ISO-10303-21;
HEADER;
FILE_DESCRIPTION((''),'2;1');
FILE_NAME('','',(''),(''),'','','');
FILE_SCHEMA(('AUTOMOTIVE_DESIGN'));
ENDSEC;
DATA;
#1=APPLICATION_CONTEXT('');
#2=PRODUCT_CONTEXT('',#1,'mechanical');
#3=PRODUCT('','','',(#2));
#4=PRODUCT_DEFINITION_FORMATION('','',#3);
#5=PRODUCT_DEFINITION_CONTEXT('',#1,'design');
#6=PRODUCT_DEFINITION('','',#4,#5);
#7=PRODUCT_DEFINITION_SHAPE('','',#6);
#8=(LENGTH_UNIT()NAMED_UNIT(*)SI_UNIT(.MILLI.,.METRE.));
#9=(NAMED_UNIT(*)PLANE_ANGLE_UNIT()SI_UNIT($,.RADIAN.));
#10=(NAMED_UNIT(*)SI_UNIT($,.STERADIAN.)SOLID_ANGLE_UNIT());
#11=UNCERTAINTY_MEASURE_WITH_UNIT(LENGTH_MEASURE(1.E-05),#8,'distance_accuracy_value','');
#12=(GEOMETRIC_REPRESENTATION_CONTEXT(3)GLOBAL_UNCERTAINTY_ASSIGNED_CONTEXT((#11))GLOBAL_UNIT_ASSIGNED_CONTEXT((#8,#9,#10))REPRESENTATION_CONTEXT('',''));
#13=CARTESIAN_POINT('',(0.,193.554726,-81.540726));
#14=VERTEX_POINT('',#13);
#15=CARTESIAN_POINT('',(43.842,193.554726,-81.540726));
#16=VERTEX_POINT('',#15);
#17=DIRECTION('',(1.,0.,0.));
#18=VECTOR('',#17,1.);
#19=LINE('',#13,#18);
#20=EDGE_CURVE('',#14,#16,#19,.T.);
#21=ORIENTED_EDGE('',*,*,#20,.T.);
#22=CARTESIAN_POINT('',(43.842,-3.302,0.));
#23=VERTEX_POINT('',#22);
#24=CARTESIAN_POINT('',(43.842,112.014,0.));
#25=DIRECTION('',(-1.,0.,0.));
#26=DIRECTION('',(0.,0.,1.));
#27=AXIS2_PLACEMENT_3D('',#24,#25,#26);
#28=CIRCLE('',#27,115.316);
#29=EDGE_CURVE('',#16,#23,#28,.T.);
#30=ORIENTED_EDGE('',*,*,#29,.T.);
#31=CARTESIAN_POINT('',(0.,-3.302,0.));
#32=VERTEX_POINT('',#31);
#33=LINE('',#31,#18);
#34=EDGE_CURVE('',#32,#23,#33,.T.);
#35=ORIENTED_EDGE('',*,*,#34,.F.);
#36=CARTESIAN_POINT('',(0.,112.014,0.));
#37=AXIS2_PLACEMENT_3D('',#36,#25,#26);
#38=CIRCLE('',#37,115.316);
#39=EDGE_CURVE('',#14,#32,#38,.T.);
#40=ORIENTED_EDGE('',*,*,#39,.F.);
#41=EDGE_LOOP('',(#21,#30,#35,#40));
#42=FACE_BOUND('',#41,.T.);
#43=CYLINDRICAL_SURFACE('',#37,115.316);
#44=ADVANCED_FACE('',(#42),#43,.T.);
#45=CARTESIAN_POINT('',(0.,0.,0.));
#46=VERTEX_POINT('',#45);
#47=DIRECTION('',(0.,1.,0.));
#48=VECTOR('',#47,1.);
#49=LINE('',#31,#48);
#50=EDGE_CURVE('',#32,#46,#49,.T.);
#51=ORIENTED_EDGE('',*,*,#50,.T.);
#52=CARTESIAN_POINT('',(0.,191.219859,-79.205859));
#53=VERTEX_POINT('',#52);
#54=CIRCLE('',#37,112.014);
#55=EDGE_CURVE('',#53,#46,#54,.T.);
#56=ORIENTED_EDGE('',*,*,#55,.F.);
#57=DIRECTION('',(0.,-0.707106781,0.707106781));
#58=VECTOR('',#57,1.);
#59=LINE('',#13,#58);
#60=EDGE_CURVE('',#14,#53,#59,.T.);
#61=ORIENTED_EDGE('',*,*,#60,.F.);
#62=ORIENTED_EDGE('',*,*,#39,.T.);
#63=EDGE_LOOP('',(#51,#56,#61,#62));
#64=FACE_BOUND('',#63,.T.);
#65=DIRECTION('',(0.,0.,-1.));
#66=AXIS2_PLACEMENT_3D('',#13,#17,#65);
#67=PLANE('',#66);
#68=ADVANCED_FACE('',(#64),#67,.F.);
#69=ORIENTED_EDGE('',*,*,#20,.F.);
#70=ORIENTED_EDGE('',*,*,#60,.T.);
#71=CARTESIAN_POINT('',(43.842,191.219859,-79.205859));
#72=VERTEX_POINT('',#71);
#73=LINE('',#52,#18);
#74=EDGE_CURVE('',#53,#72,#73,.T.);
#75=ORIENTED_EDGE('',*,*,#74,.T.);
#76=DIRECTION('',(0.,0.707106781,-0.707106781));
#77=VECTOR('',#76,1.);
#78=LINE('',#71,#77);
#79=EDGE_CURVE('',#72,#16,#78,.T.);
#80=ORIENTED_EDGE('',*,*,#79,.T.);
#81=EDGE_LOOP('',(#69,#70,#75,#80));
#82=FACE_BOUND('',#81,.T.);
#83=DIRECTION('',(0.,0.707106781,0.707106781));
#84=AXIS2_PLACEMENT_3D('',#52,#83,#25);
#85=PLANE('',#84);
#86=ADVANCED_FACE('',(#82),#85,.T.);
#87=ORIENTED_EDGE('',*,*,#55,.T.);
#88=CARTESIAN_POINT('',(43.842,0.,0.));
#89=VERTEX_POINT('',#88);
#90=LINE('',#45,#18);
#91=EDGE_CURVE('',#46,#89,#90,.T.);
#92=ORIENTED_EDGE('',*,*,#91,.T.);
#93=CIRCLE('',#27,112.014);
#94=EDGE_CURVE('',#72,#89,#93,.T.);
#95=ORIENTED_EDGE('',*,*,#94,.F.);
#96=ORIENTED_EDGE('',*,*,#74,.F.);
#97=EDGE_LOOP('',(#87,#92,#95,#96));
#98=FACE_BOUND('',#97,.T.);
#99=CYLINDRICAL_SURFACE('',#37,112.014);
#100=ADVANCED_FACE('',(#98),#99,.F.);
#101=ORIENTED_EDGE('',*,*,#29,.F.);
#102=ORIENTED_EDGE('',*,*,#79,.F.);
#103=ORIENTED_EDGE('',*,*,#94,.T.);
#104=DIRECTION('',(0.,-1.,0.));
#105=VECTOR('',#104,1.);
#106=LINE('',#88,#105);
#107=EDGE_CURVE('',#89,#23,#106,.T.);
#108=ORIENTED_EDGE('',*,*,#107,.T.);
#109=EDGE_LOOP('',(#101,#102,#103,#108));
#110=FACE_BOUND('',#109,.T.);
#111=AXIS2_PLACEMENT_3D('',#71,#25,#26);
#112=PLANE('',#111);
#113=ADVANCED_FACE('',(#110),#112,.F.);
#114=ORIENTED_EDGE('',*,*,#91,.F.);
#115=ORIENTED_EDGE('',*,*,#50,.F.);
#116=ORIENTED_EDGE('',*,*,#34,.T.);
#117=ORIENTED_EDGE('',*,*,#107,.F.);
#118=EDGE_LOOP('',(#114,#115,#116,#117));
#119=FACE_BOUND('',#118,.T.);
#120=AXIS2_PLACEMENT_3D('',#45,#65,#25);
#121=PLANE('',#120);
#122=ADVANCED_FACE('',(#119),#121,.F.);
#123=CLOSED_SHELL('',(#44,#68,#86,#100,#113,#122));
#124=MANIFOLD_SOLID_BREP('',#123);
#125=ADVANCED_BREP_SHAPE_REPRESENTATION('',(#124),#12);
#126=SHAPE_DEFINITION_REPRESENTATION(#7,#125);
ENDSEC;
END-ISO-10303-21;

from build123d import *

# Parameters (mm, degrees)
SKETCH1_W           = 43.841999946
SKETCH1_H           = 3.302
REVOLVE_THIN1_ANGLE = 135


with BuildPart() as part:
    # Sketch1 → Revolve-Thin1 (revolve)
    with BuildSketch(Plane.XY):
        with Locations((21.920999973, -1.651)):
            Rectangle(SKETCH1_W, SKETCH1_H)
    revolve(axis=Axis((0, 112.014, 0), (1, 0, 0)), revolution_arc=REVOLVE_THIN1_ANGLE)


solid = part.part
